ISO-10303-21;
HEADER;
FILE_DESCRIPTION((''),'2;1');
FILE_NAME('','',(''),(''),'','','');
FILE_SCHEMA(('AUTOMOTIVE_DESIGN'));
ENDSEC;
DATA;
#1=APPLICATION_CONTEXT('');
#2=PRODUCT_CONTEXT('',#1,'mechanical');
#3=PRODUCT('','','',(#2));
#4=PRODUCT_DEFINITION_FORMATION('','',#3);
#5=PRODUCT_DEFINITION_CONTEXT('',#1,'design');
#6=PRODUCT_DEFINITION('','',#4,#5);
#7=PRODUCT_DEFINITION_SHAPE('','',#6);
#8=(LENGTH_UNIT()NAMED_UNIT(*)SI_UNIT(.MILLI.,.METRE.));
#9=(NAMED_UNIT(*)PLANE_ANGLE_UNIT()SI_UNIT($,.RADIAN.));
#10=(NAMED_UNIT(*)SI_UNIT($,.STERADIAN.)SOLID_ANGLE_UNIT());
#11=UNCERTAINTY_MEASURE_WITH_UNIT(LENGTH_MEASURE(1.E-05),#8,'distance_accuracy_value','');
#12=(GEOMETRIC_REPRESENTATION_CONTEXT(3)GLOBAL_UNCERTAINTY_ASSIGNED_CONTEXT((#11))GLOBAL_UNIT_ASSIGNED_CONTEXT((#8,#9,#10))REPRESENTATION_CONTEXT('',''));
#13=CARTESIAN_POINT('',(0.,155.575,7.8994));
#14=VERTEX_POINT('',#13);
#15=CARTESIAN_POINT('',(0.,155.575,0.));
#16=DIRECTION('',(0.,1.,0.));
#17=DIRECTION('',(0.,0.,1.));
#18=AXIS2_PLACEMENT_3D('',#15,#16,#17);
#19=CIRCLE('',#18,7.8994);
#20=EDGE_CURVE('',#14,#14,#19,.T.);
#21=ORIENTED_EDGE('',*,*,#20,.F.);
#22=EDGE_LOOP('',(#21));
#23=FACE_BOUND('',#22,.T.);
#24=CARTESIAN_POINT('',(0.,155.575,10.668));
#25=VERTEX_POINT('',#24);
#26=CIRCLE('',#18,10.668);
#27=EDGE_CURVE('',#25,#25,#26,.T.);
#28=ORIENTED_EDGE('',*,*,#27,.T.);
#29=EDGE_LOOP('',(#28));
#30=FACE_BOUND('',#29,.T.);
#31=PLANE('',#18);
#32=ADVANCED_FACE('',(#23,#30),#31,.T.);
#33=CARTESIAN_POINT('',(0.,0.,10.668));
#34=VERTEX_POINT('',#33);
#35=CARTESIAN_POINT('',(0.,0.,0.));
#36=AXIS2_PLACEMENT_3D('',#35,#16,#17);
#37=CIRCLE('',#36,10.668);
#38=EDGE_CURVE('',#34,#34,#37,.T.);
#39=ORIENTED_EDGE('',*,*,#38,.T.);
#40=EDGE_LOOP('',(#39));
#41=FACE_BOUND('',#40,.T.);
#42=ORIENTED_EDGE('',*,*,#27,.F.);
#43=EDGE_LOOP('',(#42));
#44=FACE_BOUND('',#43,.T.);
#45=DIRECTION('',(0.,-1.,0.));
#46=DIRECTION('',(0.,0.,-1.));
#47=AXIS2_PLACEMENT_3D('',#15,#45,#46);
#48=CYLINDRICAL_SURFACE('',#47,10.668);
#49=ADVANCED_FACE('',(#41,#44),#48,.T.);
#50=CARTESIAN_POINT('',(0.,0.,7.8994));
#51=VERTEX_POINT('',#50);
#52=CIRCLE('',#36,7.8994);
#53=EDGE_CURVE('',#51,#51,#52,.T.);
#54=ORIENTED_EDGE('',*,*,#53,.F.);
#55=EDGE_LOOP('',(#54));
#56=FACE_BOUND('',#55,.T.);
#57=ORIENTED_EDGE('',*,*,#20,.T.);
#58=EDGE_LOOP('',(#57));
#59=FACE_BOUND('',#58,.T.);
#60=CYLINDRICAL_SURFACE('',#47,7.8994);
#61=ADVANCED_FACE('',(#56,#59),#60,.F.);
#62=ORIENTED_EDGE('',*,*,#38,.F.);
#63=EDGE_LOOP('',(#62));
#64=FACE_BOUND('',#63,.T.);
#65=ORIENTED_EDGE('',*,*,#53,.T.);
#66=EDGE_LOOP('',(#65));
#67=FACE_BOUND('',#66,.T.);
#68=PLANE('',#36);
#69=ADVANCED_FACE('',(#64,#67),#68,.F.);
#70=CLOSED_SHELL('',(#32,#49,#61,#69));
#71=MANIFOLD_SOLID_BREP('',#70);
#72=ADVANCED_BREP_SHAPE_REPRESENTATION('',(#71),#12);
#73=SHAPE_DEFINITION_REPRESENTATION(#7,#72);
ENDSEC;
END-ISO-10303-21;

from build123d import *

# Parameters (mm, degrees)
SKETCH1_R           = 10.668
SKETCH1_R_2         = 7.8994
BOSS_EXTRUDE1_DEPTH = 155.575


with BuildPart() as part:
    # Sketch1 → Boss-Extrude1 (new body)
    with BuildSketch(Plane(origin=(0, 0, 0), x_dir=(1, 0, 0), z_dir=(0, 1, 0))):
        Circle(SKETCH1_R)
        Circle(SKETCH1_R_2, mode=Mode.SUBTRACT)
    extrude(amount=BOSS_EXTRUDE1_DEPTH)


solid = part.part
